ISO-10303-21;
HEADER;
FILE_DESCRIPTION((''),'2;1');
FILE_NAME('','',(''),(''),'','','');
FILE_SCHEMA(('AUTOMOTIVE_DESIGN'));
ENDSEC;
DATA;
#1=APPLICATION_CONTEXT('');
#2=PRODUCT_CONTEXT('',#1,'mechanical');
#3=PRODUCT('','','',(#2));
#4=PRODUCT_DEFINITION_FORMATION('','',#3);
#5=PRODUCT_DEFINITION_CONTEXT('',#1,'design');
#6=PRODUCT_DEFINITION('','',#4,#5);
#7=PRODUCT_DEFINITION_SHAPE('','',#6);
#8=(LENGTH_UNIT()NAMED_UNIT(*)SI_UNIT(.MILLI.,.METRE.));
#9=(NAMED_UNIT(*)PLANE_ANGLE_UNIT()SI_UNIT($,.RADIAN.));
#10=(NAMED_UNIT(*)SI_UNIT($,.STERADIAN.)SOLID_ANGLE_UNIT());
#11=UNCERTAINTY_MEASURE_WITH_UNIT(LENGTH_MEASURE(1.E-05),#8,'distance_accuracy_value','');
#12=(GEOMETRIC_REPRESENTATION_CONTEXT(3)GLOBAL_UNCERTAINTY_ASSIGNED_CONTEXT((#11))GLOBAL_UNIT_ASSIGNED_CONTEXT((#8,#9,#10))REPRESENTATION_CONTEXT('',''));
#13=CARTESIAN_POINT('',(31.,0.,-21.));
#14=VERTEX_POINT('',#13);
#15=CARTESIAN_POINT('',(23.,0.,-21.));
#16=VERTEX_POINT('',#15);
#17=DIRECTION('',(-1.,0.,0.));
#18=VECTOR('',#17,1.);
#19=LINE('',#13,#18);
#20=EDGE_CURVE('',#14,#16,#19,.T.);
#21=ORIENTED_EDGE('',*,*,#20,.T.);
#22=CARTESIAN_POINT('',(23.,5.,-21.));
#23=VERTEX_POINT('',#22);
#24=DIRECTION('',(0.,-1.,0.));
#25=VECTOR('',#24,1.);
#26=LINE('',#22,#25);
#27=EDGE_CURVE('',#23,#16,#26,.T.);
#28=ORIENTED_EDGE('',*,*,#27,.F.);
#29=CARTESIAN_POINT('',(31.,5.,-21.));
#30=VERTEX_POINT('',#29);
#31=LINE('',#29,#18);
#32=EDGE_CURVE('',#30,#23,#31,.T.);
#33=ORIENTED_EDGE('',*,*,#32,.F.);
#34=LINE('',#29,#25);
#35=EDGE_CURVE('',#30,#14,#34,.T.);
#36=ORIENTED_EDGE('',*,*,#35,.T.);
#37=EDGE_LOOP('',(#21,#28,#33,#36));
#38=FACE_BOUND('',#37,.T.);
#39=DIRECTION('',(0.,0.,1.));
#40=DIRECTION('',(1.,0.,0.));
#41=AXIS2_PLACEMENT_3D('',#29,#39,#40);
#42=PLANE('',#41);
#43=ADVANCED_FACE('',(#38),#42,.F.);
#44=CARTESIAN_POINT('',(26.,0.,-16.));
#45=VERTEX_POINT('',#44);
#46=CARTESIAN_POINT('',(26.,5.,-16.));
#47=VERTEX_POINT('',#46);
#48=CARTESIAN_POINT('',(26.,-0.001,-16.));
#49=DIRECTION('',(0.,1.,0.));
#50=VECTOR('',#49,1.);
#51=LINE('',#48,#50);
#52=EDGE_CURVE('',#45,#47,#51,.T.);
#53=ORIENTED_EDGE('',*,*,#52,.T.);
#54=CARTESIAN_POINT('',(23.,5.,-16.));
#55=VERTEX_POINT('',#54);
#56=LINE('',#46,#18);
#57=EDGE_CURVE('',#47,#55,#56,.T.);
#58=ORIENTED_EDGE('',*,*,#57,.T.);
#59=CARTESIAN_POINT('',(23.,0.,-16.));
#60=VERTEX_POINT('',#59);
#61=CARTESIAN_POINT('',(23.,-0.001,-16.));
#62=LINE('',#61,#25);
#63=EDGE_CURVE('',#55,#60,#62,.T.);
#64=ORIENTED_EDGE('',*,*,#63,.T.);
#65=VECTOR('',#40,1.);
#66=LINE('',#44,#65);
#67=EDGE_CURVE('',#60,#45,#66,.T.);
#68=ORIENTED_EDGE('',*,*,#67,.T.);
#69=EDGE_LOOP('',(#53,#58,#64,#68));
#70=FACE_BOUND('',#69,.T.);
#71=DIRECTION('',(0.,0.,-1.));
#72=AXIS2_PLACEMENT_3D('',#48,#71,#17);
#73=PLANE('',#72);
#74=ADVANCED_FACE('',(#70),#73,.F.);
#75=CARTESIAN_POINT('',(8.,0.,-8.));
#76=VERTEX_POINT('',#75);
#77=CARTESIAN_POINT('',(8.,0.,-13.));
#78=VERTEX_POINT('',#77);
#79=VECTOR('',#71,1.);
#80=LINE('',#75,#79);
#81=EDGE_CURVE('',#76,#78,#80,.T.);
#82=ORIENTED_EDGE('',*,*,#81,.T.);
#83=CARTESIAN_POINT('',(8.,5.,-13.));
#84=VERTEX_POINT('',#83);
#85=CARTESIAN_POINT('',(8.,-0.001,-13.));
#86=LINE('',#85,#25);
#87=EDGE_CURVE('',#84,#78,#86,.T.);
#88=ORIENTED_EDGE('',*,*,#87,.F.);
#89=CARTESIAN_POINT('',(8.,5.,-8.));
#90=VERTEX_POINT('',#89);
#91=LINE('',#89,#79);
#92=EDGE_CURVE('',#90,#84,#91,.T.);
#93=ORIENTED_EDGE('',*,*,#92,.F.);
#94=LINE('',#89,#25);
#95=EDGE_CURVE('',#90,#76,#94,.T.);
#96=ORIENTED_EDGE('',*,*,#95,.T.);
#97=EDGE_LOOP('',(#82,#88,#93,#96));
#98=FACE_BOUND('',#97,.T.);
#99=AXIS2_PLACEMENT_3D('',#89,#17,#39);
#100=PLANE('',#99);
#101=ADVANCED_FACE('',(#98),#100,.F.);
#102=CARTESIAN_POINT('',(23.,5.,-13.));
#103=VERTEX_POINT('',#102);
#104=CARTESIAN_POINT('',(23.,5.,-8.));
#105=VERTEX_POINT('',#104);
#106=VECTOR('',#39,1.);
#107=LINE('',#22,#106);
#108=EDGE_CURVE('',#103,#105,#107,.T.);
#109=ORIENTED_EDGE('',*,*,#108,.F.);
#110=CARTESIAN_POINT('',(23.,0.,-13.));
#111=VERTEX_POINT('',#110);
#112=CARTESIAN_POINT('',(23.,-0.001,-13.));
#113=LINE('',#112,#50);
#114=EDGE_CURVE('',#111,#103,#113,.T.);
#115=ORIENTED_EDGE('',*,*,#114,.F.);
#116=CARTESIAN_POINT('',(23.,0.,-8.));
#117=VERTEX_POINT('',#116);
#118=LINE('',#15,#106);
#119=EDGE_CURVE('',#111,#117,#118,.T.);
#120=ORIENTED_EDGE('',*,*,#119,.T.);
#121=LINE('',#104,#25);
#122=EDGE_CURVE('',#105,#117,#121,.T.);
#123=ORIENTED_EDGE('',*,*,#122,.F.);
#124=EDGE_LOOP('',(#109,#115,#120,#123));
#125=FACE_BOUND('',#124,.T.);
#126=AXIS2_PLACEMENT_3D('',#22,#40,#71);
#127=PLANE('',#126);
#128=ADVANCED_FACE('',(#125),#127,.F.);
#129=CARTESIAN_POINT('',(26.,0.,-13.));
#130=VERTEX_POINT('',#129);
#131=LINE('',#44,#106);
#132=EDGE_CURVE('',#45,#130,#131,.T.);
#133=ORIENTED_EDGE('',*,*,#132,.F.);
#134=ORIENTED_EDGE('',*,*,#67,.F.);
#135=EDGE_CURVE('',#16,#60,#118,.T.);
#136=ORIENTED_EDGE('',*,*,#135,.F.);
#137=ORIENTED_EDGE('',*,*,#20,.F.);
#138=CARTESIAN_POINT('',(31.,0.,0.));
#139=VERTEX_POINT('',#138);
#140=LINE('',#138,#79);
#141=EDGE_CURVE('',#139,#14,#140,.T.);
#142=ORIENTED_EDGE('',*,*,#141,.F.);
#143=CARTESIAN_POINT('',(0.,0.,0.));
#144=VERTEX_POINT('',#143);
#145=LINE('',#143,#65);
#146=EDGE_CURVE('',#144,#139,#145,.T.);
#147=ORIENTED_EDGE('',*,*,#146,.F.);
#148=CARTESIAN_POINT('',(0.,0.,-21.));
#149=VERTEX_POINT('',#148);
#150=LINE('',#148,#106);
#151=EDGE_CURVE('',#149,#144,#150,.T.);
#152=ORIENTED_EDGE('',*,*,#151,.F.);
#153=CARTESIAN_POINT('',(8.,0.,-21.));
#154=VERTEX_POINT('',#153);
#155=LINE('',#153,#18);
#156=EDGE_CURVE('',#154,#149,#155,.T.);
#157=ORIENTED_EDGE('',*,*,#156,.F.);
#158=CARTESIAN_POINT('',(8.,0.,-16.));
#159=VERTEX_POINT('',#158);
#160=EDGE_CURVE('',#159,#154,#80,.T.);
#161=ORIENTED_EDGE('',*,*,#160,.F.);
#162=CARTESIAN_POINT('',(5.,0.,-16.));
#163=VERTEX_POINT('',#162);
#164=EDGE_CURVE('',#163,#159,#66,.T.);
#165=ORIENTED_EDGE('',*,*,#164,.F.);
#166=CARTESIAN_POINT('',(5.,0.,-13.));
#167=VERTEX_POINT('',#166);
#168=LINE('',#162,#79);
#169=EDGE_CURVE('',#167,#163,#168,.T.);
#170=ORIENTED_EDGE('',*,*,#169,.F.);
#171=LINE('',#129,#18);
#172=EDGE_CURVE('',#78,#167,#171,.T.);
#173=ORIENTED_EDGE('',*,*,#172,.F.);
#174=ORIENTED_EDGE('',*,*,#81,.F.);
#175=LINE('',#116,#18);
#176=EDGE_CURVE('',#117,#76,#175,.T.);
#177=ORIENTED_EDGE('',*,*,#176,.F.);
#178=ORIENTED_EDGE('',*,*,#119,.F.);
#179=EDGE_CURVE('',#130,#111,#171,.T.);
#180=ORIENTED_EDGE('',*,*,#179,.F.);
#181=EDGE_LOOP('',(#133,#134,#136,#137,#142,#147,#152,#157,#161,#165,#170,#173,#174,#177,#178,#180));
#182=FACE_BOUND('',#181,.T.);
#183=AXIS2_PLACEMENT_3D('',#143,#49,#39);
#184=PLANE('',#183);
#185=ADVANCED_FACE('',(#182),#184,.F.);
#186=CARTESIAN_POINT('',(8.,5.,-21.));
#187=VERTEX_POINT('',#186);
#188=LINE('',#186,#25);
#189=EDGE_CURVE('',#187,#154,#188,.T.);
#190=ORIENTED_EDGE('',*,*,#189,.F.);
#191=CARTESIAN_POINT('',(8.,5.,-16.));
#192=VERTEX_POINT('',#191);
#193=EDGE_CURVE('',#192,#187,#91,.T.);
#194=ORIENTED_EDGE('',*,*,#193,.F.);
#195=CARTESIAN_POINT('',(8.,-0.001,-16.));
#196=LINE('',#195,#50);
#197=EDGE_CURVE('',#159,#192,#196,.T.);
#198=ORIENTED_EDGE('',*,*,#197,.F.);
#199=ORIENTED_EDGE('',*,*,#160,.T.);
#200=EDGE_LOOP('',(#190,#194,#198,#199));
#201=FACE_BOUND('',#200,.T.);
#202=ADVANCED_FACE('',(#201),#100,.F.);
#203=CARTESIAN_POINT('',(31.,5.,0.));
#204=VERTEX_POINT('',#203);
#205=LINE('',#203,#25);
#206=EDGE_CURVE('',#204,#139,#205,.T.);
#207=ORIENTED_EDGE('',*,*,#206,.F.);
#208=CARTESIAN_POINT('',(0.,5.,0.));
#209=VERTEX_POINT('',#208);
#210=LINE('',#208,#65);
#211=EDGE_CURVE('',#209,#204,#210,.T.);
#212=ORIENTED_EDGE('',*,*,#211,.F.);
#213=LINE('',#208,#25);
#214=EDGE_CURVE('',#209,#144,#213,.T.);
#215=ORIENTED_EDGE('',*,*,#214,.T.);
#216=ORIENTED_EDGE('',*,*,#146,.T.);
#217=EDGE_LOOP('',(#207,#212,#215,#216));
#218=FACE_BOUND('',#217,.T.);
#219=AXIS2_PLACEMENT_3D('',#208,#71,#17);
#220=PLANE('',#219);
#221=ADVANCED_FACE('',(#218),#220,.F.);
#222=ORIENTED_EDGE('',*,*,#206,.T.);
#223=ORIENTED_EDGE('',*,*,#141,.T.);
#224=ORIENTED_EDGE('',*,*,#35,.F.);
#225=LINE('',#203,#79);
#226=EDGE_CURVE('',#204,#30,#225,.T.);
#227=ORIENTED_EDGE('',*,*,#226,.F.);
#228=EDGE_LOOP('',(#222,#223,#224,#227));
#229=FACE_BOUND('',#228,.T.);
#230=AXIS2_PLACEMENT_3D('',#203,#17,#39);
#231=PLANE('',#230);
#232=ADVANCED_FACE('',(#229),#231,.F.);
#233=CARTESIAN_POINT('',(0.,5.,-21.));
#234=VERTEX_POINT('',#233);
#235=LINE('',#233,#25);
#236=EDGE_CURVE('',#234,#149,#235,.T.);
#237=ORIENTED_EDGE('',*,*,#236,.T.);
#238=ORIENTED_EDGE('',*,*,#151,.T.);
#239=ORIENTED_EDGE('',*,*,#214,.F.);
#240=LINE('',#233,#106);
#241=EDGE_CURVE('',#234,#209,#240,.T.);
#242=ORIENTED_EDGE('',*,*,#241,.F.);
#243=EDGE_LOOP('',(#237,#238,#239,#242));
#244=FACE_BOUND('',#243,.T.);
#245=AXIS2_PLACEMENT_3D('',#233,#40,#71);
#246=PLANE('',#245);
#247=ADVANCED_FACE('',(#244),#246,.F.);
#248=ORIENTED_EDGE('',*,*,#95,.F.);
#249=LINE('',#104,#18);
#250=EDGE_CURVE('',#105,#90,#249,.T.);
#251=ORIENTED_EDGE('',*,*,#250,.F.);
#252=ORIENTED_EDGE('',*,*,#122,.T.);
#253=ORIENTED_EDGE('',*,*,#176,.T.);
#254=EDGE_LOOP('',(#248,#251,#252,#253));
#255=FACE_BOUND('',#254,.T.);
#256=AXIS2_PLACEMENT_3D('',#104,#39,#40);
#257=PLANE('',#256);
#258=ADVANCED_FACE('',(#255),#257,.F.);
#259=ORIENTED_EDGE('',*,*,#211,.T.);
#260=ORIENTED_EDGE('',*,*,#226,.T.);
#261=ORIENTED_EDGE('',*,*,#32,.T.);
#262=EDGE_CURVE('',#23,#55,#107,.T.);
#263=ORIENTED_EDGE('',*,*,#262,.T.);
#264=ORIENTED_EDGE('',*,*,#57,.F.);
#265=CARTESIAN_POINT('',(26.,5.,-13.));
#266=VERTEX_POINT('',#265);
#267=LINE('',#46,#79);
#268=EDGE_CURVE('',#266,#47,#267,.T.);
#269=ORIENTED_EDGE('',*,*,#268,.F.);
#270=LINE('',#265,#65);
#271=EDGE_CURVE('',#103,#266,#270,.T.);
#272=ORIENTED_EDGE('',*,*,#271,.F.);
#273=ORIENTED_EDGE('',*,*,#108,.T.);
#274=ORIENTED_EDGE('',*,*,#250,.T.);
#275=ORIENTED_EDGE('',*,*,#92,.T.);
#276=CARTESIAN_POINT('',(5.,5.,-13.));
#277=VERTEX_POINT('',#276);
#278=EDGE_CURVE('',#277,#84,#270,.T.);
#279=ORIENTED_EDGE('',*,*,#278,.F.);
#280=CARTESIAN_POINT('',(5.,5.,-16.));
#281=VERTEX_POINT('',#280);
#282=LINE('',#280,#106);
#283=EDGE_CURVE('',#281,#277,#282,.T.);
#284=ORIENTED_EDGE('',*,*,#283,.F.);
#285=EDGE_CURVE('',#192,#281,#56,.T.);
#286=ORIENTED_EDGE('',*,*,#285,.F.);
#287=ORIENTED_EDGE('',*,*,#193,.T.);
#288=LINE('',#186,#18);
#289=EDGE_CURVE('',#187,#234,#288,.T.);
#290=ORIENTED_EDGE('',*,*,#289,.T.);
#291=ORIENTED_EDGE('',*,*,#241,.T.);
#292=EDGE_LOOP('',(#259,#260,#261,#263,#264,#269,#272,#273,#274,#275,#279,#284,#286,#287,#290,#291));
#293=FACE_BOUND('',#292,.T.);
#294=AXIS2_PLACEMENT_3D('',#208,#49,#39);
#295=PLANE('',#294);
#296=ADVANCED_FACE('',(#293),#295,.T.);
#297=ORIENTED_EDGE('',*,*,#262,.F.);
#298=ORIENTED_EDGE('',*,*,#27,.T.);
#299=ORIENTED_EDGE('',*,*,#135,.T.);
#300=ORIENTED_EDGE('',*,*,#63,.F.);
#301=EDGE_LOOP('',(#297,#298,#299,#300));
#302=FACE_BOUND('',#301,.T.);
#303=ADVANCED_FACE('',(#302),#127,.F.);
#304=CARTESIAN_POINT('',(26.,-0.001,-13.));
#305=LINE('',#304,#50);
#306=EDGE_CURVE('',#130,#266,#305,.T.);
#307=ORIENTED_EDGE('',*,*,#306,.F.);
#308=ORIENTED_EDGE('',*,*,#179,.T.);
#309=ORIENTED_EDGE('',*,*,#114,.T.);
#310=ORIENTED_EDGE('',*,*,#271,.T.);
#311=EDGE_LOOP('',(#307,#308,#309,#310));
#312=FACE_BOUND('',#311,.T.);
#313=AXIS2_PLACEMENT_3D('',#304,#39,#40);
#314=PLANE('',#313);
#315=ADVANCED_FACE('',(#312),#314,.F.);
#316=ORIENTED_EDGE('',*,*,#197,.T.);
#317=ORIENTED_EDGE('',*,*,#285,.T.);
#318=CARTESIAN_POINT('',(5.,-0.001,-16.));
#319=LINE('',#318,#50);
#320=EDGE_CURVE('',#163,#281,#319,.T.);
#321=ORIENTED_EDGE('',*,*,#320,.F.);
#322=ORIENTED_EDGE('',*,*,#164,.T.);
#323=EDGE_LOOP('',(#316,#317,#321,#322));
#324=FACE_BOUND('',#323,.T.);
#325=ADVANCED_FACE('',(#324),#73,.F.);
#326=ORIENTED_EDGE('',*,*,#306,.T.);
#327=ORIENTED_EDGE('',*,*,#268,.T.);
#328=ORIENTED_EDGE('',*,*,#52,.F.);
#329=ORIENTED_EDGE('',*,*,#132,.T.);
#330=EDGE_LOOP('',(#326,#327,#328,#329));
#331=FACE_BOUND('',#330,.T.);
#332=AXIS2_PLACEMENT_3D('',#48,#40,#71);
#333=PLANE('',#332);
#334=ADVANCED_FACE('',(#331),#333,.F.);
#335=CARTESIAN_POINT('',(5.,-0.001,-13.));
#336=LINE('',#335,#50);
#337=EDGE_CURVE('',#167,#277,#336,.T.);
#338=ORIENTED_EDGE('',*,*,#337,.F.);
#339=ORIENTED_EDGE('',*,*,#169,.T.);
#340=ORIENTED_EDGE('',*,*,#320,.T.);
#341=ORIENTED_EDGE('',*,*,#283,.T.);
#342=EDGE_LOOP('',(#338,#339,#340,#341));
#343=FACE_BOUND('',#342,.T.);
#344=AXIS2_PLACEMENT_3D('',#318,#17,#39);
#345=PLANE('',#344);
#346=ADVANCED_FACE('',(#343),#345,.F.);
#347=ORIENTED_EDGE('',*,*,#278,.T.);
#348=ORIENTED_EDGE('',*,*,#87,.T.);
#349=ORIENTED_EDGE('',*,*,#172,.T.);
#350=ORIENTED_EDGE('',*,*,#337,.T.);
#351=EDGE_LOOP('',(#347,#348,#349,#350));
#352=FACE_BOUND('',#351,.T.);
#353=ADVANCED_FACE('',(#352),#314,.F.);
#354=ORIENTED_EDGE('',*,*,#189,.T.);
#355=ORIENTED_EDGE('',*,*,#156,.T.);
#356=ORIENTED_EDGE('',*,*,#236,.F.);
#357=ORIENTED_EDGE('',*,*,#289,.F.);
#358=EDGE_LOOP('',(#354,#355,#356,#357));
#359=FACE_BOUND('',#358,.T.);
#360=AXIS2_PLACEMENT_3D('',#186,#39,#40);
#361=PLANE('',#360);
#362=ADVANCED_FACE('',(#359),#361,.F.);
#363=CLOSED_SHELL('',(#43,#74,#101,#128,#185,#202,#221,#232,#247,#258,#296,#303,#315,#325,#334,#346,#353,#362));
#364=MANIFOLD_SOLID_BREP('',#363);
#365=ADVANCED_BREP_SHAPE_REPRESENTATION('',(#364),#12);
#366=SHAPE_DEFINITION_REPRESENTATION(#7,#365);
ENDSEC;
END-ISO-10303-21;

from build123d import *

# Parameters (mm, degrees)
EXTRUDE_1_DEPTH     = 5
CUT_EXTRUDE_START   = -5
SKETCH_2_W          = 21
SKETCH_2_H          = 3
CUT_EXTRUDE_1_DEPTH = 5


with BuildPart() as part:
    # 草图1 → 凸台-拉伸1 (new body)
    with BuildSketch(Plane(origin=(0, 0, 0), x_dir=(1, 0, 0), z_dir=(0, 1, 0))):
        Polygon((0, 21), (0, 0), (31, 0), (31, 21), (23, 21), (23, 8), (8, 8), (8, 21), align=None)
    extrude(amount=EXTRUDE_1_DEPTH)

    # 草图2 → 切除-拉伸1 (cut)
    with BuildSketch(Plane(origin=(0, 5, 0), x_dir=(1, 0, 0), z_dir=(0, 1, 0)).offset(CUT_EXTRUDE_START)):
        with Locations((15.5, 14.5)):
            Rectangle(SKETCH_2_W, SKETCH_2_H)
    extrude(amount=CUT_EXTRUDE_1_DEPTH, mode=Mode.SUBTRACT)


solid = part.part
